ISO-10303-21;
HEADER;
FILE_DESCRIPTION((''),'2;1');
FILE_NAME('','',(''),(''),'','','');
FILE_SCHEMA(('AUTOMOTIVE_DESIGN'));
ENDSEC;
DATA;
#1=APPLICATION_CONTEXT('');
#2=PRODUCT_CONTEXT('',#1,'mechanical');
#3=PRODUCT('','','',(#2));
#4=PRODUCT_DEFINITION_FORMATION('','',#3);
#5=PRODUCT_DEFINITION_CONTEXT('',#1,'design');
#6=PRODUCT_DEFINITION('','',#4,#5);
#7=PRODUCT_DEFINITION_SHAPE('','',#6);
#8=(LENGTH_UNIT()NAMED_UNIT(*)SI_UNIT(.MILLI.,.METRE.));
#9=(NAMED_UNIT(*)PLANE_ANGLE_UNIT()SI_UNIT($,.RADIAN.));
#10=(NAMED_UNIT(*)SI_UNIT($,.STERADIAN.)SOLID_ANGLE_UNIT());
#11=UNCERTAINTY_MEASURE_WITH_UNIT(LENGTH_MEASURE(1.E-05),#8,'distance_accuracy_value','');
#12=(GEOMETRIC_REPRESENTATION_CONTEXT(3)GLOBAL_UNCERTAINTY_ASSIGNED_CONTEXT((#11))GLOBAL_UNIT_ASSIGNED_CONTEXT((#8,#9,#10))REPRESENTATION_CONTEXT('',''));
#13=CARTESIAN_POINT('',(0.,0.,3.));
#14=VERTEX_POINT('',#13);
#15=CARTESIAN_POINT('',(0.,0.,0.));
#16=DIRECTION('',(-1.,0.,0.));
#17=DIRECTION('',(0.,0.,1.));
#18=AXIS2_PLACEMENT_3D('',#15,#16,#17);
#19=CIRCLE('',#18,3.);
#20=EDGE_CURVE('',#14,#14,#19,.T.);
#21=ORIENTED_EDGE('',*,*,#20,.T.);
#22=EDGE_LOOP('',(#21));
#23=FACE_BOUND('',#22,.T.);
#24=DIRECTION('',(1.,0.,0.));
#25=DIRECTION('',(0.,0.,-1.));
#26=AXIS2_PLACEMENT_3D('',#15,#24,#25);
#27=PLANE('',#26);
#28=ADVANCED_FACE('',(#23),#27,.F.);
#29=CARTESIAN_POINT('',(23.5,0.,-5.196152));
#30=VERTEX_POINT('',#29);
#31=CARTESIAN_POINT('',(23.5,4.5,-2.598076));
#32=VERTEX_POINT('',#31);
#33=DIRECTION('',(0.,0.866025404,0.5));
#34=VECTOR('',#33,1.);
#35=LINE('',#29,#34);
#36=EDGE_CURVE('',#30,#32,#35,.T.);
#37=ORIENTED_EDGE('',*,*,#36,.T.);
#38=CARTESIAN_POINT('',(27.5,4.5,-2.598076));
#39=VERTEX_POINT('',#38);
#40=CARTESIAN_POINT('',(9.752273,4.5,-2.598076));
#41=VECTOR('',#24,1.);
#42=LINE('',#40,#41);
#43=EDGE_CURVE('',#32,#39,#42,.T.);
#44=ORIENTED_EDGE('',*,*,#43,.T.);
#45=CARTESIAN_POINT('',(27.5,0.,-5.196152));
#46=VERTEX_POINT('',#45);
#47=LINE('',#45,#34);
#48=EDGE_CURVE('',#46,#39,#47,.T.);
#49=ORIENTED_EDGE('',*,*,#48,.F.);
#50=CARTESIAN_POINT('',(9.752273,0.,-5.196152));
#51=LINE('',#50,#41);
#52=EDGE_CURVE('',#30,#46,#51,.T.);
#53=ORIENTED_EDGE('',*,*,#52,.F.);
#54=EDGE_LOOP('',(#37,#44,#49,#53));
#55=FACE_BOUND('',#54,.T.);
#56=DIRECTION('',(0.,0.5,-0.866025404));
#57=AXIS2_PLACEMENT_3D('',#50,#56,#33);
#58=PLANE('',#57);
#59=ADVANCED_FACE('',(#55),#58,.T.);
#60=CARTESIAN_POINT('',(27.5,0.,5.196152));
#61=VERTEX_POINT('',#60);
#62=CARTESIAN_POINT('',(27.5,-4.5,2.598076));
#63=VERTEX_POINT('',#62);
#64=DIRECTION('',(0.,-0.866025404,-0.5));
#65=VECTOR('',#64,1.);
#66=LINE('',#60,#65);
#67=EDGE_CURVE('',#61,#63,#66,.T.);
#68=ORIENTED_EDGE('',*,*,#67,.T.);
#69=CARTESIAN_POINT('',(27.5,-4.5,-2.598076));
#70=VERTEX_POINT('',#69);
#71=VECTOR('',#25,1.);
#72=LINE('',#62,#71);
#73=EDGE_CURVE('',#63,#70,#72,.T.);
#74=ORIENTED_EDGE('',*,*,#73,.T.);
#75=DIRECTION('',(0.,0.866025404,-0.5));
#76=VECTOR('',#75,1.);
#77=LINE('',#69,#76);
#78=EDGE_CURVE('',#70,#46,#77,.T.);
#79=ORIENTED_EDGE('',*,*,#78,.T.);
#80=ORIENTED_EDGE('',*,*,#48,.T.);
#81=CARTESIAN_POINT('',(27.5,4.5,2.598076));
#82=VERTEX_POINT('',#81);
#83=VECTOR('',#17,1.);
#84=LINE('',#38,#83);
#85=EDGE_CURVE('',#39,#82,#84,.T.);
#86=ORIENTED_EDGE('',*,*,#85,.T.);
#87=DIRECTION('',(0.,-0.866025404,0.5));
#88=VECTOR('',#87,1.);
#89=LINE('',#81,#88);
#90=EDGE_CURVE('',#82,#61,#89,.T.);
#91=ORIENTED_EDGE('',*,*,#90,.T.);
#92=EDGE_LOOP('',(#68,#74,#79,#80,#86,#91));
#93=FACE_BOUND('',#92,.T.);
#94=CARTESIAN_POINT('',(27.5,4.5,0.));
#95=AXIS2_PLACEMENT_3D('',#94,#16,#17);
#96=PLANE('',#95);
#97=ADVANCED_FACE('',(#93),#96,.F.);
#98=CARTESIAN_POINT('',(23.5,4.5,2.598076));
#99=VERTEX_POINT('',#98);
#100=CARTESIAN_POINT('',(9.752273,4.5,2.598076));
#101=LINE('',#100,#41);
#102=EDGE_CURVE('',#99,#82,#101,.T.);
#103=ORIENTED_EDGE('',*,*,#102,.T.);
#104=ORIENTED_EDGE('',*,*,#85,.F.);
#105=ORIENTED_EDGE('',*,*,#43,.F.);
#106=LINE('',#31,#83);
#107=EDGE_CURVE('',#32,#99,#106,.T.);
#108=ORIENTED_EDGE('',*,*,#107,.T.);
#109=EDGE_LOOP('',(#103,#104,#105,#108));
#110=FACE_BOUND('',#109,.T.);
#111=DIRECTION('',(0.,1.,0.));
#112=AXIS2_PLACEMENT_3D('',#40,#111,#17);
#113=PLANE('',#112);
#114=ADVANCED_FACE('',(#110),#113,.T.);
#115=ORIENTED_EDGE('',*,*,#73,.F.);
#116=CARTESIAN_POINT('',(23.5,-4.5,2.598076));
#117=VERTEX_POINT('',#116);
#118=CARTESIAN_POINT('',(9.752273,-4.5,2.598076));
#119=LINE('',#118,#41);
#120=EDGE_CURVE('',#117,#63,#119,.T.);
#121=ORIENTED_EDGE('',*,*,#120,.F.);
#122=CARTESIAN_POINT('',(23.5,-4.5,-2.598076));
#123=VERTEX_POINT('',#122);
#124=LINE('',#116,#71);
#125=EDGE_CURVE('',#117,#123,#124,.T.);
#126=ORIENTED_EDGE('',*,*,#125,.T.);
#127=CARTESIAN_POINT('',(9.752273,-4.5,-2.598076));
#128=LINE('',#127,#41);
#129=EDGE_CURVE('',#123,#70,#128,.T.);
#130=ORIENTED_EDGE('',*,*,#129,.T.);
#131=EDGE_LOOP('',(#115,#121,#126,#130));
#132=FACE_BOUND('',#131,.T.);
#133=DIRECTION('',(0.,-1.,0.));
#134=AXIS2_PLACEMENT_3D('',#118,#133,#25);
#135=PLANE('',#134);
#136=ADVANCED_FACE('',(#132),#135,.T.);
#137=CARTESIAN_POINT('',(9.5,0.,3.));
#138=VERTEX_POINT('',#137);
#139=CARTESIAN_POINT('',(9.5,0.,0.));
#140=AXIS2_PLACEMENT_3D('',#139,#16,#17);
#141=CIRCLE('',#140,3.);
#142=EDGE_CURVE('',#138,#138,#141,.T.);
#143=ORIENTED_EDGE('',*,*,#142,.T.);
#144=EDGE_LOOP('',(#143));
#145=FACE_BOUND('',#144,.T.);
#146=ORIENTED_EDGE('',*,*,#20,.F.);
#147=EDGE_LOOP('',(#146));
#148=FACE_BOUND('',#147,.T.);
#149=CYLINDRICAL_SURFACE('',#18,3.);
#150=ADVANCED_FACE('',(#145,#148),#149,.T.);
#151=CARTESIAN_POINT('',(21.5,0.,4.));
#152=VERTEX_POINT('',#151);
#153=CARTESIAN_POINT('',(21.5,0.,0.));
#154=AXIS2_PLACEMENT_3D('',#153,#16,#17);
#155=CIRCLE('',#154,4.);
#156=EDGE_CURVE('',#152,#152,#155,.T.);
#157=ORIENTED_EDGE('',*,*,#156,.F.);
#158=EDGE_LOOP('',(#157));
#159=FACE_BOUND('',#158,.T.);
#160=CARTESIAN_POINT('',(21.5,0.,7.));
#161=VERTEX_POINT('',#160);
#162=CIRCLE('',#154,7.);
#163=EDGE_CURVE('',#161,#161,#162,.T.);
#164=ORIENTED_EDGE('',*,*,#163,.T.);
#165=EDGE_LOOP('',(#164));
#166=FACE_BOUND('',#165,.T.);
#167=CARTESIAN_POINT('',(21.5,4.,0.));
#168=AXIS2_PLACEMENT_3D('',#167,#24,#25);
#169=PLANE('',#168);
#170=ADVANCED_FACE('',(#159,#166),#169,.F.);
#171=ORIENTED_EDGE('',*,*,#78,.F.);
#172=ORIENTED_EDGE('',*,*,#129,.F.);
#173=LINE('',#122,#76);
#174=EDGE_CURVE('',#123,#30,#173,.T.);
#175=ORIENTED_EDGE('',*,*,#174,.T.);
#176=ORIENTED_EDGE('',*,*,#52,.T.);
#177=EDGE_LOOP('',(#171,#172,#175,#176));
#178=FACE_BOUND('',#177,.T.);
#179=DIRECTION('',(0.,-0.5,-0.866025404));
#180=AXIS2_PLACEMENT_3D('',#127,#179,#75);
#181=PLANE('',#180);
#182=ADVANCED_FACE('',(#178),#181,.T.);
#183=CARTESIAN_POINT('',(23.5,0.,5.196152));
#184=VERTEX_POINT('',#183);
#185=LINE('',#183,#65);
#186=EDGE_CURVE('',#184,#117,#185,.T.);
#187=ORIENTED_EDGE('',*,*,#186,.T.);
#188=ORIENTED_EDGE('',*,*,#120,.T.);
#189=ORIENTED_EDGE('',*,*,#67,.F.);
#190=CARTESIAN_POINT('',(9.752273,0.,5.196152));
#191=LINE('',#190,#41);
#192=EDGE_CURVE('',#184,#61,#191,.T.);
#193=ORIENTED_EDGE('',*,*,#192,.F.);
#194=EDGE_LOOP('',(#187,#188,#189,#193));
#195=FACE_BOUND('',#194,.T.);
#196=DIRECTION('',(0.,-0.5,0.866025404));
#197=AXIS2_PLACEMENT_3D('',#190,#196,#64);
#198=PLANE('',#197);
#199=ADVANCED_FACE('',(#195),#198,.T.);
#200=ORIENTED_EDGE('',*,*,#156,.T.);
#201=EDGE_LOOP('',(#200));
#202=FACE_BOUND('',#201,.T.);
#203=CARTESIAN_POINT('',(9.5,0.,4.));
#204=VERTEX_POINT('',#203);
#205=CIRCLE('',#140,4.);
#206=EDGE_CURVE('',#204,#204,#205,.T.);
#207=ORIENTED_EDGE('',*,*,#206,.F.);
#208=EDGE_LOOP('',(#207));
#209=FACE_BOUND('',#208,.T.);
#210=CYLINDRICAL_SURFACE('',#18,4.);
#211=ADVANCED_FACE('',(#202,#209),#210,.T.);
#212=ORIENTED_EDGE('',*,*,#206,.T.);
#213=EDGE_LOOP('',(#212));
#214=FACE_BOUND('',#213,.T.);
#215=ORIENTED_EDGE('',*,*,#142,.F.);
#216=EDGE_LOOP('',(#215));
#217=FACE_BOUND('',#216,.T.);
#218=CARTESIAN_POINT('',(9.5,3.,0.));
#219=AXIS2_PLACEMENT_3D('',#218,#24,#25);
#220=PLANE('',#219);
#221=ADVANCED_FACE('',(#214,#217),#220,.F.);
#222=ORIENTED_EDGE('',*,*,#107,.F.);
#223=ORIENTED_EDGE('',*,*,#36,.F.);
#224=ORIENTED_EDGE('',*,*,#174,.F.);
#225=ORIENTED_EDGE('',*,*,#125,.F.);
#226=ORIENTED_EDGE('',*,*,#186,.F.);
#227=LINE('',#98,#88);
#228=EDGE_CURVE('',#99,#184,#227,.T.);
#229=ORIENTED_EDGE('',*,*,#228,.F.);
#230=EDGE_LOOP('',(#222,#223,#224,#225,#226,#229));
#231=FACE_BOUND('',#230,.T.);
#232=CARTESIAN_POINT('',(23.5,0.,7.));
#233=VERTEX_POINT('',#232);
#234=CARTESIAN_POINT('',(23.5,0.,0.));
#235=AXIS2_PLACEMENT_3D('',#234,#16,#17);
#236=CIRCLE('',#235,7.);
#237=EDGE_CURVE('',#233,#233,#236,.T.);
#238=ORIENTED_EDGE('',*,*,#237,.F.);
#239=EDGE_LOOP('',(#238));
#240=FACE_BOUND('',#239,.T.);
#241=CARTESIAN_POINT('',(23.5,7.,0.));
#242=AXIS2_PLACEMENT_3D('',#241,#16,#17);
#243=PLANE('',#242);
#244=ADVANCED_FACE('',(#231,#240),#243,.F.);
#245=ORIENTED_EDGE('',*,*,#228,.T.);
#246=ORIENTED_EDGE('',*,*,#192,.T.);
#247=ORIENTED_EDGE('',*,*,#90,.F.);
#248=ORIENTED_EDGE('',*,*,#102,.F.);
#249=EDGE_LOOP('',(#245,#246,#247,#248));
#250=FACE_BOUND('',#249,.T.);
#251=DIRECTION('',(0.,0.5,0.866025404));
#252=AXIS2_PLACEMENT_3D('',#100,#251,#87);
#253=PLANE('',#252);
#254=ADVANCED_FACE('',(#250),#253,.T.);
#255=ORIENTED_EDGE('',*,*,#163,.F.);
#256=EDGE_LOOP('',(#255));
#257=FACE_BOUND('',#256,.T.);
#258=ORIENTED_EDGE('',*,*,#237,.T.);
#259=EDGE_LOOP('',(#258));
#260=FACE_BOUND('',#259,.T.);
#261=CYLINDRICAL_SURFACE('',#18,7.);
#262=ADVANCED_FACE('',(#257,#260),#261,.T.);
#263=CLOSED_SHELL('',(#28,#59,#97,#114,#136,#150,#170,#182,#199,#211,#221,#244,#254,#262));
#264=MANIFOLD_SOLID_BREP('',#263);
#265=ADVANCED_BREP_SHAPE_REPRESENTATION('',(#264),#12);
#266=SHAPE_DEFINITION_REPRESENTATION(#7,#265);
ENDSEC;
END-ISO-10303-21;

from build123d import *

# Parameters (mm, degrees)
BOSS_EXTRUDE1_DEPTH = 4


with BuildPart() as part:
    # Sketch1 → Revolve1 (revolve)
    with BuildSketch(Plane.XY, mode=Mode.PRIVATE) as revolve1_sk:
        Polygon((0, 0), (0, 3), (9.5, 3), (9.5, 4), (21.5, 4), (21.5, 7), (23.5, 7), (23.5, 4.5), (27.5, 4.5), (27.5, 0), align=None)
    revolve(revolve1_sk.sketch.rotate(Axis((0, 0, 0), (1, 0, 0)), 90), axis=Axis((0, 0, 0), (1, 0, 0)))

    # Sketch2 → Boss-Extrude1 (add)
    with BuildSketch(Plane(origin=(27.5, 0, 0), x_dir=(0, 0, -1), z_dir=(1, 0, 0))):
        Polygon((-2.598076211, 4.5), (-5.196152423, 0), (-2.598076211, -4.5), (2.598076211, -4.5), (5.196152423, 0), (2.598076211, 4.5), align=None)
    extrude(amount=-BOSS_EXTRUDE1_DEPTH)


solid = part.part
